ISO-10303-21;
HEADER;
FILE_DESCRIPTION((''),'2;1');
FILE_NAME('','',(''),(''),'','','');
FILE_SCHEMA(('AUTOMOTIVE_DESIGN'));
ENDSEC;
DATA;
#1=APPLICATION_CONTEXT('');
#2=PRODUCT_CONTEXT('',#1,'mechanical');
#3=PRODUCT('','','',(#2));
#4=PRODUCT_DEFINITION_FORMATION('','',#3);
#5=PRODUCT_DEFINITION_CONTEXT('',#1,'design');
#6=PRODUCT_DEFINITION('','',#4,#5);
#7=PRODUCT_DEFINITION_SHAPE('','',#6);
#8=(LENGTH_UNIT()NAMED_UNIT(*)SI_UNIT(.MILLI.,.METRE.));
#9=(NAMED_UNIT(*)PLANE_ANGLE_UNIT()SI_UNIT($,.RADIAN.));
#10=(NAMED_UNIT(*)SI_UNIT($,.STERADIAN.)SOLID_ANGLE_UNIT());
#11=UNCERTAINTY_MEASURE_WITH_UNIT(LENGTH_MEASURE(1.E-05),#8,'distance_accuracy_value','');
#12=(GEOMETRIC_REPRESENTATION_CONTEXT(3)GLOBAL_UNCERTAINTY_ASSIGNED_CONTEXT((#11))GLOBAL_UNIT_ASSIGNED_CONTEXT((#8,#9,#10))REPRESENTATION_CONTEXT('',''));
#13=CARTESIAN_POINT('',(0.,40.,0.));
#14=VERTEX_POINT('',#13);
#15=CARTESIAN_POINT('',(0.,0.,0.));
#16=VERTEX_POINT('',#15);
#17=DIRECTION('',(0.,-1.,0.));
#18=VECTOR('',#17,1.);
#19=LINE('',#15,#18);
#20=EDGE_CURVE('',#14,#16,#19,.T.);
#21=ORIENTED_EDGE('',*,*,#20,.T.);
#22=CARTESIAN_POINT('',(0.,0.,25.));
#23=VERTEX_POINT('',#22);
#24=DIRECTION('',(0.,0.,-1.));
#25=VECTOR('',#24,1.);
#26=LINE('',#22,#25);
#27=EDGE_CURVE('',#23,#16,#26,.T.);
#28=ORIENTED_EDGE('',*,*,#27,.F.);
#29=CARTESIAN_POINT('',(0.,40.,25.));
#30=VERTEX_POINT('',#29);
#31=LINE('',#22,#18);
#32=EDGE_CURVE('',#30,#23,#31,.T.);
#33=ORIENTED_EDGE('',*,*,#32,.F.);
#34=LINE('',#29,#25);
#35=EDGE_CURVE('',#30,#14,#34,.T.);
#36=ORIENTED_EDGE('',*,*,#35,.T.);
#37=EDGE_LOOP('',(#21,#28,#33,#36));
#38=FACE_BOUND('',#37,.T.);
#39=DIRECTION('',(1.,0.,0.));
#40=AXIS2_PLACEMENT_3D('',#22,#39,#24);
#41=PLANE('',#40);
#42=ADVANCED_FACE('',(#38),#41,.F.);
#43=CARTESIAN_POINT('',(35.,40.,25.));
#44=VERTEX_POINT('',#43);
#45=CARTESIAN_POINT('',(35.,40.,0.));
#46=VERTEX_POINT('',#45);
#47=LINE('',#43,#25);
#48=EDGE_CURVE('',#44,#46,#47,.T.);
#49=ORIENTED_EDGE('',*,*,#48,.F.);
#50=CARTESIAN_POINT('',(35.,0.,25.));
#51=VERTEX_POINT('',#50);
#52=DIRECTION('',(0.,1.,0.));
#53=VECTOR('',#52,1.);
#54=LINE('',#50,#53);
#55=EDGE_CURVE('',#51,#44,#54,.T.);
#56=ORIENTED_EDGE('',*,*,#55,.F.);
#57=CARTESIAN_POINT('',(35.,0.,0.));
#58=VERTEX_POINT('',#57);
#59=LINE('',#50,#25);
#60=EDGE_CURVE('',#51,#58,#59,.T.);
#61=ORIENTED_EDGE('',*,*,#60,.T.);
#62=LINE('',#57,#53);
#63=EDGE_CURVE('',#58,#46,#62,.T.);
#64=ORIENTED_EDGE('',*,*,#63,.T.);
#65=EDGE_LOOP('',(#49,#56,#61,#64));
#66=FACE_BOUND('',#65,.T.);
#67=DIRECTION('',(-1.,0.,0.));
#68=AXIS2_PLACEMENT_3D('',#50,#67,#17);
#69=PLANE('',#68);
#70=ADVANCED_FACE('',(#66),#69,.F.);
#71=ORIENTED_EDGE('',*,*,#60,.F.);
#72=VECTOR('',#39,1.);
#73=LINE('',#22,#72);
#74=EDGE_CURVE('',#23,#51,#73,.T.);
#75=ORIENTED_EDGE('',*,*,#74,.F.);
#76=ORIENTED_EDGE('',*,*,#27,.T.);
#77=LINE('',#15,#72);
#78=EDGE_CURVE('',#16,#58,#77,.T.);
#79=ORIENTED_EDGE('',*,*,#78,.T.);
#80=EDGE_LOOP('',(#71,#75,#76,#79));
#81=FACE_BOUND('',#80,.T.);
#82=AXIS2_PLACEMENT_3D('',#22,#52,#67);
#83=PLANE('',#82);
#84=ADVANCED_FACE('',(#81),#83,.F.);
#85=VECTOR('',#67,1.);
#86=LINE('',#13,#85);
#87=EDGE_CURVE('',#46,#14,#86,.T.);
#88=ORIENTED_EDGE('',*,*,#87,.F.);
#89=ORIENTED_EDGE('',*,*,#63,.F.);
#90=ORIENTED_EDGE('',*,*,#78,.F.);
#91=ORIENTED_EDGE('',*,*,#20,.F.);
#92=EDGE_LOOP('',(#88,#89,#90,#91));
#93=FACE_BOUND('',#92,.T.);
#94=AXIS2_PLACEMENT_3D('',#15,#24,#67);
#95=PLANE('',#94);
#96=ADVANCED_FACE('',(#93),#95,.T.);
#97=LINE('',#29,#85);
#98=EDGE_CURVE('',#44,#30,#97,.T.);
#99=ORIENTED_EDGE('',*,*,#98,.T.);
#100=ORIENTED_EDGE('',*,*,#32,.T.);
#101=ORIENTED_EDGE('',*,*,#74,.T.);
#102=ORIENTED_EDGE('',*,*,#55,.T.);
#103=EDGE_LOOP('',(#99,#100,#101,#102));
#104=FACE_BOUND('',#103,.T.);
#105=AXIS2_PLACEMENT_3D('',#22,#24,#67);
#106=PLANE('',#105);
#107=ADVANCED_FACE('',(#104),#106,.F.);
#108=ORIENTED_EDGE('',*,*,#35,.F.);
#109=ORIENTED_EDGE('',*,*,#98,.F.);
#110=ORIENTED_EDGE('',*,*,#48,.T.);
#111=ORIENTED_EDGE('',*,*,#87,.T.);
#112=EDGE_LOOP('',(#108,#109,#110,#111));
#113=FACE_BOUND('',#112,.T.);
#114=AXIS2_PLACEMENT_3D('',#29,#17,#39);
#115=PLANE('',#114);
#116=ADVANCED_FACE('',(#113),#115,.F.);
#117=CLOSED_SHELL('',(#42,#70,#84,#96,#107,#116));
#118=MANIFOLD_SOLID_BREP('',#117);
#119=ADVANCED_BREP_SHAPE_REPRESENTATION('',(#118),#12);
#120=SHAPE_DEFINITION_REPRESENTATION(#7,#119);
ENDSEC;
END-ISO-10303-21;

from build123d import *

# Parameters (mm, degrees)
SCHIZZO1_W                   = 35
SCHIZZO1_H                   = 40
ESTRUSIONE_ESTRUSIONE1_DEPTH = 25


with BuildPart() as part:
    # Schizzo1 → Estrusione-Estrusione1 (new body)
    with BuildSketch(Plane.XY):
        with Locations((17.5, 20)):
            Rectangle(SCHIZZO1_W, SCHIZZO1_H)
    extrude(amount=ESTRUSIONE_ESTRUSIONE1_DEPTH)


solid = part.part
